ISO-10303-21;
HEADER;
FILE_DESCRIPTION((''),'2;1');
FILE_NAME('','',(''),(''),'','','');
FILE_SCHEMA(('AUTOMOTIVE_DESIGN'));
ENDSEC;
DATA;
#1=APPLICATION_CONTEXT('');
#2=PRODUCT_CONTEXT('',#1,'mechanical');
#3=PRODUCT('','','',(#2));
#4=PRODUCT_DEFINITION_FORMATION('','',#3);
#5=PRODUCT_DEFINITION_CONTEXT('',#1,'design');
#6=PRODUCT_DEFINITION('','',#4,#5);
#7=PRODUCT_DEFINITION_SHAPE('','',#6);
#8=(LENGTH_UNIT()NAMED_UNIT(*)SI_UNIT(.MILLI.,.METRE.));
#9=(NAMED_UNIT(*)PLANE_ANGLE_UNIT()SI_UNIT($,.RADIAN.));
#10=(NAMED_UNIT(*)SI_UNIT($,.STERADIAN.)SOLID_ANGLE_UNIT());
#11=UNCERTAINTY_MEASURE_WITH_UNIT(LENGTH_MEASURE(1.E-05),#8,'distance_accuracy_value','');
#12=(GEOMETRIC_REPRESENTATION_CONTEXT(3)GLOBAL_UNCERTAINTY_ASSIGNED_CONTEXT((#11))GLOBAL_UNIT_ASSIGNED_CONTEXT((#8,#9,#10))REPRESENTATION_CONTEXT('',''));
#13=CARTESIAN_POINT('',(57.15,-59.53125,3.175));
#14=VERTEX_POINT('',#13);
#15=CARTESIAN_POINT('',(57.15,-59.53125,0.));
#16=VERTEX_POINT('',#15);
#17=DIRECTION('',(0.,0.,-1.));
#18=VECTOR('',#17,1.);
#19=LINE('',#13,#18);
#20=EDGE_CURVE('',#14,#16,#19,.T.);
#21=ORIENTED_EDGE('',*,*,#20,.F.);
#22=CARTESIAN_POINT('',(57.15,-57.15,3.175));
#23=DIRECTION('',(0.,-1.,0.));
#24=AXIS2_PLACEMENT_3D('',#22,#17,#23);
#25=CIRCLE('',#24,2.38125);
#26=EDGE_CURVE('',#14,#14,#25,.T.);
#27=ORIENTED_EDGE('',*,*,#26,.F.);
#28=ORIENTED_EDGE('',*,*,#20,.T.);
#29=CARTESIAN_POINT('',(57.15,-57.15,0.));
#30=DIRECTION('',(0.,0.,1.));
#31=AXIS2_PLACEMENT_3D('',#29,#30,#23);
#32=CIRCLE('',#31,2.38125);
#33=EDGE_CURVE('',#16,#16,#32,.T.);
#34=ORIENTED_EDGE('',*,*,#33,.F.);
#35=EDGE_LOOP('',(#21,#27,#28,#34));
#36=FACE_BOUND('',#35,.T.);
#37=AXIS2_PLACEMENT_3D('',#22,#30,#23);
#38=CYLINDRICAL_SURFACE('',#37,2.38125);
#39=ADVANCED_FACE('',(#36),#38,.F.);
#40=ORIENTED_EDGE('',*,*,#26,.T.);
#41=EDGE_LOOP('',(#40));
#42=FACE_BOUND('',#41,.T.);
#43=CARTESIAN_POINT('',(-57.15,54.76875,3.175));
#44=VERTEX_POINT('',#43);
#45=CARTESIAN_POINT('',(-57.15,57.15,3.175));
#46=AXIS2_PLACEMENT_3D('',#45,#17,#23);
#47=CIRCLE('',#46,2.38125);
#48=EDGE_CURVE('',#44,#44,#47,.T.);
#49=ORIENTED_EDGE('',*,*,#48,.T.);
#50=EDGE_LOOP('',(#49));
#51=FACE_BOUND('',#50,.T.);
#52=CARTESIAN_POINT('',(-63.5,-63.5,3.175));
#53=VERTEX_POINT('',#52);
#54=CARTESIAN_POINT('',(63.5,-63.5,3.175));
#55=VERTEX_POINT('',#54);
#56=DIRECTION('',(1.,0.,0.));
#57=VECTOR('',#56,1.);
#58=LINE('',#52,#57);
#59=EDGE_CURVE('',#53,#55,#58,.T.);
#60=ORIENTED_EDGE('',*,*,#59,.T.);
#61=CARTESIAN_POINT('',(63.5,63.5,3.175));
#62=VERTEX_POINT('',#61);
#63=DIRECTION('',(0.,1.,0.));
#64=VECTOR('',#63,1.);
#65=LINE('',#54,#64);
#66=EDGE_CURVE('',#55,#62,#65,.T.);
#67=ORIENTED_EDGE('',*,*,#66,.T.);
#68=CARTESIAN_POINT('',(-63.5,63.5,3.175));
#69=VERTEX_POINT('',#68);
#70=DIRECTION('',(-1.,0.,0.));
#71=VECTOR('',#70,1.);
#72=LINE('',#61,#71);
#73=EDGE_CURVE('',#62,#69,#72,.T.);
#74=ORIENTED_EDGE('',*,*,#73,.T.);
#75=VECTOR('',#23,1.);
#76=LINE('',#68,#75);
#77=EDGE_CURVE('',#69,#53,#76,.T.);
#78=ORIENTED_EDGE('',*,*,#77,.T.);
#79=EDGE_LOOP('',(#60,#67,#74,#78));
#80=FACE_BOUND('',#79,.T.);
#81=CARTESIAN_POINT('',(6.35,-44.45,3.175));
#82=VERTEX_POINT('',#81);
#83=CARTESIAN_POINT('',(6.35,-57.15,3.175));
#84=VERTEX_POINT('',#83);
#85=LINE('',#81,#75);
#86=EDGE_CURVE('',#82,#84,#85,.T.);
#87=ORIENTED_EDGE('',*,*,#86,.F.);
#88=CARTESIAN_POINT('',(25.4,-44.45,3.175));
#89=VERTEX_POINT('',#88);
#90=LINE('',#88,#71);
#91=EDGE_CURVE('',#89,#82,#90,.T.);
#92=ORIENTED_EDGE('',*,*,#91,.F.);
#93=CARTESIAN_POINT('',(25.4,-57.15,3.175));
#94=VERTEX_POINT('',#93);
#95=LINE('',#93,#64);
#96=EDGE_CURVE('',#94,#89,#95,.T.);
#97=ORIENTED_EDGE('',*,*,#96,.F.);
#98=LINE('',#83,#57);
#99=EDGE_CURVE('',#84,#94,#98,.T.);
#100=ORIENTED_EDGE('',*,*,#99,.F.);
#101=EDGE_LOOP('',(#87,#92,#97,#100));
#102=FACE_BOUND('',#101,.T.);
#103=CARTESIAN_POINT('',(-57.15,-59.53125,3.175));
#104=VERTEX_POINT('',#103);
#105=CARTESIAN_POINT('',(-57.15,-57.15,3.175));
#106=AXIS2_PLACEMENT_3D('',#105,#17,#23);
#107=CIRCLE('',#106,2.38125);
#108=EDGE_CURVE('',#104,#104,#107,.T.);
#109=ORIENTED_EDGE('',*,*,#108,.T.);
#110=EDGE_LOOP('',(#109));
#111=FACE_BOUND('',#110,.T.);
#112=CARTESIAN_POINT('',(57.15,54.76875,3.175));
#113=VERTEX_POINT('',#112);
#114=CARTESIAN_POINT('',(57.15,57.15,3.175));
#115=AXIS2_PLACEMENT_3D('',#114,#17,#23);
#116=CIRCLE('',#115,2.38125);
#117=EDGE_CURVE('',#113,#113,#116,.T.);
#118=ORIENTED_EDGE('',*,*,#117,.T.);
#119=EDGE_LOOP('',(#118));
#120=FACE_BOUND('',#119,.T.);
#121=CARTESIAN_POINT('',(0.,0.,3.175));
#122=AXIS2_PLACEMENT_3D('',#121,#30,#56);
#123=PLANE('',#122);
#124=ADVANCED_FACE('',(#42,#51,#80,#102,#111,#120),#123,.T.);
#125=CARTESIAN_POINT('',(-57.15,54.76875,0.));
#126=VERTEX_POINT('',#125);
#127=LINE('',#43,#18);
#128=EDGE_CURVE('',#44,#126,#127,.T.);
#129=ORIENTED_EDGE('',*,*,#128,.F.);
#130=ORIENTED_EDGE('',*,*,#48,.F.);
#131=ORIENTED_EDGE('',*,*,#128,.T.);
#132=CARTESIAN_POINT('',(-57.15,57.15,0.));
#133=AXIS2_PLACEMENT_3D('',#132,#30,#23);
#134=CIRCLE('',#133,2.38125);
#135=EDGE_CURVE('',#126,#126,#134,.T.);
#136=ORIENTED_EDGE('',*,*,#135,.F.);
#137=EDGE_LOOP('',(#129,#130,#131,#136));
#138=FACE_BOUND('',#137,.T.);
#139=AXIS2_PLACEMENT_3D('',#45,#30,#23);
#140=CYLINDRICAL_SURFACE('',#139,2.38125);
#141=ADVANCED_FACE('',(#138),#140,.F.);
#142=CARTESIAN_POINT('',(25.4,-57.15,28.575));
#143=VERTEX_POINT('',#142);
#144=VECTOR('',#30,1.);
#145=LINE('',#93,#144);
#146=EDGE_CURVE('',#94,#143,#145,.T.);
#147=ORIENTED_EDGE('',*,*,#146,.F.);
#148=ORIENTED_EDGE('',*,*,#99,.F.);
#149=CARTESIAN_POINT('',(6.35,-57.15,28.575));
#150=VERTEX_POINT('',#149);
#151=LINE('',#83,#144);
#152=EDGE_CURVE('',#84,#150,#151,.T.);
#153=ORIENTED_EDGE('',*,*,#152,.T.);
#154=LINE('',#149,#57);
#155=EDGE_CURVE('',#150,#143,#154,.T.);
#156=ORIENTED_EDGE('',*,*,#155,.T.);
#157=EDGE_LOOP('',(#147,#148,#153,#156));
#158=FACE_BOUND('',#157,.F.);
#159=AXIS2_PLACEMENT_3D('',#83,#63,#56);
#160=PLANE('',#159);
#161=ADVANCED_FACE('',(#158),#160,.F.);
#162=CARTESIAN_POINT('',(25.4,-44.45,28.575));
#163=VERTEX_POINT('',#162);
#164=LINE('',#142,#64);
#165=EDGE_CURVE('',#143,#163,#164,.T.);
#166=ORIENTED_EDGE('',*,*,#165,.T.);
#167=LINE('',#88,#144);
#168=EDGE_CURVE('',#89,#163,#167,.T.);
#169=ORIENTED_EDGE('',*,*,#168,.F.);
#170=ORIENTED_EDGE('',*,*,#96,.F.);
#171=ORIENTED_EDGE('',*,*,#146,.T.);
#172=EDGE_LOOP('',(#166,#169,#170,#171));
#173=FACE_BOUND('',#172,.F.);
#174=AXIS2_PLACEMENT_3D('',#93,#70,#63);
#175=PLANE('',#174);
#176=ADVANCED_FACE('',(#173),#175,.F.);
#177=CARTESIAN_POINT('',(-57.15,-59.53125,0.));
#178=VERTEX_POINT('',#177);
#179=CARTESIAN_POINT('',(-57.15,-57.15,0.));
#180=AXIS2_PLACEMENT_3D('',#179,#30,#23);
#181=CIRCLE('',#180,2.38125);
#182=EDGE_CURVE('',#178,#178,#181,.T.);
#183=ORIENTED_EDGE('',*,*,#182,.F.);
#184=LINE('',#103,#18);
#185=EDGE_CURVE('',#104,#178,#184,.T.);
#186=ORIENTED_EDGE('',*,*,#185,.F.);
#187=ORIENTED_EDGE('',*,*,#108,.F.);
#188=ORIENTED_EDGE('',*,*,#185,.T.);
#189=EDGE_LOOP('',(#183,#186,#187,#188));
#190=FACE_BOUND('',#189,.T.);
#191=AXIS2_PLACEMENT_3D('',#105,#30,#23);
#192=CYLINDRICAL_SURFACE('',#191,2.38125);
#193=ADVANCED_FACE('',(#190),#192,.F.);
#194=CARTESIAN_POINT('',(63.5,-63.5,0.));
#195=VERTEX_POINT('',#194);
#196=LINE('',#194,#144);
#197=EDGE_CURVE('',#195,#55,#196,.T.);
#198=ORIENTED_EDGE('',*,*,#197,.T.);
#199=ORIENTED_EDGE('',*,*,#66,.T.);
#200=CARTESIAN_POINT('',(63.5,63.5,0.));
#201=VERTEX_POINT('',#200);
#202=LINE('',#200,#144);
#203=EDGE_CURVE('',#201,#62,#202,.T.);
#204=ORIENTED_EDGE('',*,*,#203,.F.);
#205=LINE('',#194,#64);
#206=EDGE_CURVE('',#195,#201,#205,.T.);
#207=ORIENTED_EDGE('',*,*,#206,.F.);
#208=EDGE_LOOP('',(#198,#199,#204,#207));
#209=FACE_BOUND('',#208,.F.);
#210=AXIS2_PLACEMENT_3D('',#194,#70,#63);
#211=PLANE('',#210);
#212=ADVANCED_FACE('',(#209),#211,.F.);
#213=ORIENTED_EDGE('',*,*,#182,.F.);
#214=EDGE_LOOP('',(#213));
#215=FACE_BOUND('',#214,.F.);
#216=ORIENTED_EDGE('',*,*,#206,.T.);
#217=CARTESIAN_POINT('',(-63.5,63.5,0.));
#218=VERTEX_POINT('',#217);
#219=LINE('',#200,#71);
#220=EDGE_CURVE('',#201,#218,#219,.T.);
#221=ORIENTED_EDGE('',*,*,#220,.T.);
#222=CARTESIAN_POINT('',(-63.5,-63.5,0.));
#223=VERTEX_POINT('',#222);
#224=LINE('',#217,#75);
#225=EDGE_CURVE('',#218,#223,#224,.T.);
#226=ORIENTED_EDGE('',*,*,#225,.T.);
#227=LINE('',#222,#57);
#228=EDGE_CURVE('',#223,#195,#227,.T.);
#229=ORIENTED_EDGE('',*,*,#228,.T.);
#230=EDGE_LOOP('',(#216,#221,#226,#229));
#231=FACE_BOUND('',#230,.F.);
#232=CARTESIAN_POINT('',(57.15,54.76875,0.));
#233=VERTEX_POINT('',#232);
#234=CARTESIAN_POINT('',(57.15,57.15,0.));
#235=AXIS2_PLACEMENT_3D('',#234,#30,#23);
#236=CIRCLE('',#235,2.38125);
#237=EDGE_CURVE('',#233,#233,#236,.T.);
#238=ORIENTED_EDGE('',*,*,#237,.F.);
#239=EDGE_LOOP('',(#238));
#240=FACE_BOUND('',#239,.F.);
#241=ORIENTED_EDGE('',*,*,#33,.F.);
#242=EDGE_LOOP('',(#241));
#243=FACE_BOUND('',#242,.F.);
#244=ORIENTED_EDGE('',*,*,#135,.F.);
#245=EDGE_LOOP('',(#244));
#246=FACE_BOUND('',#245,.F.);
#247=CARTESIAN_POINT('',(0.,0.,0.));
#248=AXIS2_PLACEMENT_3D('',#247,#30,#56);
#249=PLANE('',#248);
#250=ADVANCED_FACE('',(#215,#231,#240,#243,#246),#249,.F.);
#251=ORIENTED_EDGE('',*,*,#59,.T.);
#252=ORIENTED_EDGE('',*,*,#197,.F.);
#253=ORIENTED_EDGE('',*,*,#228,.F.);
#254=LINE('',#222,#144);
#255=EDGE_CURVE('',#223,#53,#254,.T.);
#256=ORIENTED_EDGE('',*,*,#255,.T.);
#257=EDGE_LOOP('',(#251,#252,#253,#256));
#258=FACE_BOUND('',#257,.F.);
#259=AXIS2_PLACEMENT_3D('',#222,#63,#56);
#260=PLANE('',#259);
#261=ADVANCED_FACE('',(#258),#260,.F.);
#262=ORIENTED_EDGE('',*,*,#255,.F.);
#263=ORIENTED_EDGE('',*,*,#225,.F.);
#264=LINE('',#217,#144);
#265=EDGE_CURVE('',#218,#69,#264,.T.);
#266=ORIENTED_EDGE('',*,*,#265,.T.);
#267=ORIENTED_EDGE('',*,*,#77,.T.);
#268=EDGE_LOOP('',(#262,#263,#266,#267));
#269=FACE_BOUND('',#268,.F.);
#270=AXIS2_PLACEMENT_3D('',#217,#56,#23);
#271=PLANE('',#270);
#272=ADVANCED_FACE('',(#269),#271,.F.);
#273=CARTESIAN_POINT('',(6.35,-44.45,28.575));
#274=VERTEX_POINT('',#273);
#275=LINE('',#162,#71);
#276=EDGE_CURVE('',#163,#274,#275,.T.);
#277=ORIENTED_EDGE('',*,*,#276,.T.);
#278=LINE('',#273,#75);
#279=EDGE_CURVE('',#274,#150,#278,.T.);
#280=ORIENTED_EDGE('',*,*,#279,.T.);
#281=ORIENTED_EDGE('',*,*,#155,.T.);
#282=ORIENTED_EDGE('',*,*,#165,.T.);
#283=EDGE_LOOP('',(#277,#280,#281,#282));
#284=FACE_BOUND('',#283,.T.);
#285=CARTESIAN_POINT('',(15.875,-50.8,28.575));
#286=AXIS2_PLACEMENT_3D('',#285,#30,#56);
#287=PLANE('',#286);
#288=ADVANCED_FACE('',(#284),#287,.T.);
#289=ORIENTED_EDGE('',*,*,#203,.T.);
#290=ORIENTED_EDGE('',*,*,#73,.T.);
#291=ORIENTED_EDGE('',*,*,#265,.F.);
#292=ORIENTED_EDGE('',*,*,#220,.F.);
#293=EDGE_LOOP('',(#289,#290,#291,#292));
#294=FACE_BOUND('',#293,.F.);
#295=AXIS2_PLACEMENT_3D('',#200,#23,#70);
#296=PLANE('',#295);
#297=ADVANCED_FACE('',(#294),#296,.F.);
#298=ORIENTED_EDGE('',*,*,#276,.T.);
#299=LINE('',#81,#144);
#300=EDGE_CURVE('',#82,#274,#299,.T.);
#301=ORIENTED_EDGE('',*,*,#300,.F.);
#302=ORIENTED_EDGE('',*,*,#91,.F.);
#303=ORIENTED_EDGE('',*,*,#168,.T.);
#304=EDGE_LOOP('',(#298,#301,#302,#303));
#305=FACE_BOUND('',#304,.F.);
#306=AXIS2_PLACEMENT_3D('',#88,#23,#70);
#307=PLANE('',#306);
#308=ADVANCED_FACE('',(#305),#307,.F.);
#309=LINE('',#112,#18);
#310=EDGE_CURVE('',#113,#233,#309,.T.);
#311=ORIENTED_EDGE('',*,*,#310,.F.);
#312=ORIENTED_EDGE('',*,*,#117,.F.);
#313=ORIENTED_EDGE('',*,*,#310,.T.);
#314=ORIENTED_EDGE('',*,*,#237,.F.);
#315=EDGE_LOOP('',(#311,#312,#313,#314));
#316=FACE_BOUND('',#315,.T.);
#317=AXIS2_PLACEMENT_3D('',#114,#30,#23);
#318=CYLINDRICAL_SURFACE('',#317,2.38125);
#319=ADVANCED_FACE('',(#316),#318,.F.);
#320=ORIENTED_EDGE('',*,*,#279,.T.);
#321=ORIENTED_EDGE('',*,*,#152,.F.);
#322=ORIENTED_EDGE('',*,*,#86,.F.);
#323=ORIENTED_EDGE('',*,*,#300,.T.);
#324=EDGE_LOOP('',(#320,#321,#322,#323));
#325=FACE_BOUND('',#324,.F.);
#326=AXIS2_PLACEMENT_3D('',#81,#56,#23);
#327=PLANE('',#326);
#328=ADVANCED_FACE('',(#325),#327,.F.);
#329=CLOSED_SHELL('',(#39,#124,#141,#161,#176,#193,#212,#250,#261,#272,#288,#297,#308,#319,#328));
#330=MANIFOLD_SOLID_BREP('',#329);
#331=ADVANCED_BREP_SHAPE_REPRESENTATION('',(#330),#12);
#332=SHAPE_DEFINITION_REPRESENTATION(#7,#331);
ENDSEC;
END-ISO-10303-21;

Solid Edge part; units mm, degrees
sketch "Sketch1" plane through (0, 0, 0) normal (0, 0, 1) x (1, 0, 0)
  line L0 (-63.5, -63.5) -> (63.5, -63.5)
  line L1 (63.5, -63.5) -> (63.5, 63.5)
  line L2 (63.5, 63.5) -> (-63.5, 63.5)
  line L3 (-63.5, 63.5) -> (-63.5, -63.5)
  dimension "D1" = 127
  dimension "D2" = 127
extrude "Protrusion1" add sketch "Sketch1" along normal blind 3.175
hole "Hole_1" at (-57.15, 57.15, 3.175) direction (0, 0, -1) diameter 4.7625 end up to next
hole "Hole1" at (57.15, 57.15, 3.175) direction (0, 0, -1) diameter 4.7625 end up to next
hole "Hole2" at (57.15, -57.15, 3.175) direction (0, 0, -1) diameter 4.7625 end up to next
hole "Hole3" at (-57.15, -57.15, 3.175) direction (0, 0, -1) diameter 4.7625 end up to next
sketch "Sketch2" plane through (0, 0, 3.175) normal (0, 0, 1) x (0, -1, 0)
  line L0 (44.45, 6.35) -> (57.15, 6.35)
  line L1 (57.15, 6.35) -> (57.15, 25.4)
  line L2 (57.15, 25.4) -> (44.45, 25.4)
  line L3 (44.45, 25.4) -> (44.45, 6.35)
  dimension "D1" = 6.35
  dimension "D2" = 12.7
  dimension "D3" = 19.05
  dimension "D4" = 38.1
extrude "ExtrudedProtrusion_2" add sketch "Sketch2" along normal blind 25.4
properties material "ABS Plastic, high impact"
